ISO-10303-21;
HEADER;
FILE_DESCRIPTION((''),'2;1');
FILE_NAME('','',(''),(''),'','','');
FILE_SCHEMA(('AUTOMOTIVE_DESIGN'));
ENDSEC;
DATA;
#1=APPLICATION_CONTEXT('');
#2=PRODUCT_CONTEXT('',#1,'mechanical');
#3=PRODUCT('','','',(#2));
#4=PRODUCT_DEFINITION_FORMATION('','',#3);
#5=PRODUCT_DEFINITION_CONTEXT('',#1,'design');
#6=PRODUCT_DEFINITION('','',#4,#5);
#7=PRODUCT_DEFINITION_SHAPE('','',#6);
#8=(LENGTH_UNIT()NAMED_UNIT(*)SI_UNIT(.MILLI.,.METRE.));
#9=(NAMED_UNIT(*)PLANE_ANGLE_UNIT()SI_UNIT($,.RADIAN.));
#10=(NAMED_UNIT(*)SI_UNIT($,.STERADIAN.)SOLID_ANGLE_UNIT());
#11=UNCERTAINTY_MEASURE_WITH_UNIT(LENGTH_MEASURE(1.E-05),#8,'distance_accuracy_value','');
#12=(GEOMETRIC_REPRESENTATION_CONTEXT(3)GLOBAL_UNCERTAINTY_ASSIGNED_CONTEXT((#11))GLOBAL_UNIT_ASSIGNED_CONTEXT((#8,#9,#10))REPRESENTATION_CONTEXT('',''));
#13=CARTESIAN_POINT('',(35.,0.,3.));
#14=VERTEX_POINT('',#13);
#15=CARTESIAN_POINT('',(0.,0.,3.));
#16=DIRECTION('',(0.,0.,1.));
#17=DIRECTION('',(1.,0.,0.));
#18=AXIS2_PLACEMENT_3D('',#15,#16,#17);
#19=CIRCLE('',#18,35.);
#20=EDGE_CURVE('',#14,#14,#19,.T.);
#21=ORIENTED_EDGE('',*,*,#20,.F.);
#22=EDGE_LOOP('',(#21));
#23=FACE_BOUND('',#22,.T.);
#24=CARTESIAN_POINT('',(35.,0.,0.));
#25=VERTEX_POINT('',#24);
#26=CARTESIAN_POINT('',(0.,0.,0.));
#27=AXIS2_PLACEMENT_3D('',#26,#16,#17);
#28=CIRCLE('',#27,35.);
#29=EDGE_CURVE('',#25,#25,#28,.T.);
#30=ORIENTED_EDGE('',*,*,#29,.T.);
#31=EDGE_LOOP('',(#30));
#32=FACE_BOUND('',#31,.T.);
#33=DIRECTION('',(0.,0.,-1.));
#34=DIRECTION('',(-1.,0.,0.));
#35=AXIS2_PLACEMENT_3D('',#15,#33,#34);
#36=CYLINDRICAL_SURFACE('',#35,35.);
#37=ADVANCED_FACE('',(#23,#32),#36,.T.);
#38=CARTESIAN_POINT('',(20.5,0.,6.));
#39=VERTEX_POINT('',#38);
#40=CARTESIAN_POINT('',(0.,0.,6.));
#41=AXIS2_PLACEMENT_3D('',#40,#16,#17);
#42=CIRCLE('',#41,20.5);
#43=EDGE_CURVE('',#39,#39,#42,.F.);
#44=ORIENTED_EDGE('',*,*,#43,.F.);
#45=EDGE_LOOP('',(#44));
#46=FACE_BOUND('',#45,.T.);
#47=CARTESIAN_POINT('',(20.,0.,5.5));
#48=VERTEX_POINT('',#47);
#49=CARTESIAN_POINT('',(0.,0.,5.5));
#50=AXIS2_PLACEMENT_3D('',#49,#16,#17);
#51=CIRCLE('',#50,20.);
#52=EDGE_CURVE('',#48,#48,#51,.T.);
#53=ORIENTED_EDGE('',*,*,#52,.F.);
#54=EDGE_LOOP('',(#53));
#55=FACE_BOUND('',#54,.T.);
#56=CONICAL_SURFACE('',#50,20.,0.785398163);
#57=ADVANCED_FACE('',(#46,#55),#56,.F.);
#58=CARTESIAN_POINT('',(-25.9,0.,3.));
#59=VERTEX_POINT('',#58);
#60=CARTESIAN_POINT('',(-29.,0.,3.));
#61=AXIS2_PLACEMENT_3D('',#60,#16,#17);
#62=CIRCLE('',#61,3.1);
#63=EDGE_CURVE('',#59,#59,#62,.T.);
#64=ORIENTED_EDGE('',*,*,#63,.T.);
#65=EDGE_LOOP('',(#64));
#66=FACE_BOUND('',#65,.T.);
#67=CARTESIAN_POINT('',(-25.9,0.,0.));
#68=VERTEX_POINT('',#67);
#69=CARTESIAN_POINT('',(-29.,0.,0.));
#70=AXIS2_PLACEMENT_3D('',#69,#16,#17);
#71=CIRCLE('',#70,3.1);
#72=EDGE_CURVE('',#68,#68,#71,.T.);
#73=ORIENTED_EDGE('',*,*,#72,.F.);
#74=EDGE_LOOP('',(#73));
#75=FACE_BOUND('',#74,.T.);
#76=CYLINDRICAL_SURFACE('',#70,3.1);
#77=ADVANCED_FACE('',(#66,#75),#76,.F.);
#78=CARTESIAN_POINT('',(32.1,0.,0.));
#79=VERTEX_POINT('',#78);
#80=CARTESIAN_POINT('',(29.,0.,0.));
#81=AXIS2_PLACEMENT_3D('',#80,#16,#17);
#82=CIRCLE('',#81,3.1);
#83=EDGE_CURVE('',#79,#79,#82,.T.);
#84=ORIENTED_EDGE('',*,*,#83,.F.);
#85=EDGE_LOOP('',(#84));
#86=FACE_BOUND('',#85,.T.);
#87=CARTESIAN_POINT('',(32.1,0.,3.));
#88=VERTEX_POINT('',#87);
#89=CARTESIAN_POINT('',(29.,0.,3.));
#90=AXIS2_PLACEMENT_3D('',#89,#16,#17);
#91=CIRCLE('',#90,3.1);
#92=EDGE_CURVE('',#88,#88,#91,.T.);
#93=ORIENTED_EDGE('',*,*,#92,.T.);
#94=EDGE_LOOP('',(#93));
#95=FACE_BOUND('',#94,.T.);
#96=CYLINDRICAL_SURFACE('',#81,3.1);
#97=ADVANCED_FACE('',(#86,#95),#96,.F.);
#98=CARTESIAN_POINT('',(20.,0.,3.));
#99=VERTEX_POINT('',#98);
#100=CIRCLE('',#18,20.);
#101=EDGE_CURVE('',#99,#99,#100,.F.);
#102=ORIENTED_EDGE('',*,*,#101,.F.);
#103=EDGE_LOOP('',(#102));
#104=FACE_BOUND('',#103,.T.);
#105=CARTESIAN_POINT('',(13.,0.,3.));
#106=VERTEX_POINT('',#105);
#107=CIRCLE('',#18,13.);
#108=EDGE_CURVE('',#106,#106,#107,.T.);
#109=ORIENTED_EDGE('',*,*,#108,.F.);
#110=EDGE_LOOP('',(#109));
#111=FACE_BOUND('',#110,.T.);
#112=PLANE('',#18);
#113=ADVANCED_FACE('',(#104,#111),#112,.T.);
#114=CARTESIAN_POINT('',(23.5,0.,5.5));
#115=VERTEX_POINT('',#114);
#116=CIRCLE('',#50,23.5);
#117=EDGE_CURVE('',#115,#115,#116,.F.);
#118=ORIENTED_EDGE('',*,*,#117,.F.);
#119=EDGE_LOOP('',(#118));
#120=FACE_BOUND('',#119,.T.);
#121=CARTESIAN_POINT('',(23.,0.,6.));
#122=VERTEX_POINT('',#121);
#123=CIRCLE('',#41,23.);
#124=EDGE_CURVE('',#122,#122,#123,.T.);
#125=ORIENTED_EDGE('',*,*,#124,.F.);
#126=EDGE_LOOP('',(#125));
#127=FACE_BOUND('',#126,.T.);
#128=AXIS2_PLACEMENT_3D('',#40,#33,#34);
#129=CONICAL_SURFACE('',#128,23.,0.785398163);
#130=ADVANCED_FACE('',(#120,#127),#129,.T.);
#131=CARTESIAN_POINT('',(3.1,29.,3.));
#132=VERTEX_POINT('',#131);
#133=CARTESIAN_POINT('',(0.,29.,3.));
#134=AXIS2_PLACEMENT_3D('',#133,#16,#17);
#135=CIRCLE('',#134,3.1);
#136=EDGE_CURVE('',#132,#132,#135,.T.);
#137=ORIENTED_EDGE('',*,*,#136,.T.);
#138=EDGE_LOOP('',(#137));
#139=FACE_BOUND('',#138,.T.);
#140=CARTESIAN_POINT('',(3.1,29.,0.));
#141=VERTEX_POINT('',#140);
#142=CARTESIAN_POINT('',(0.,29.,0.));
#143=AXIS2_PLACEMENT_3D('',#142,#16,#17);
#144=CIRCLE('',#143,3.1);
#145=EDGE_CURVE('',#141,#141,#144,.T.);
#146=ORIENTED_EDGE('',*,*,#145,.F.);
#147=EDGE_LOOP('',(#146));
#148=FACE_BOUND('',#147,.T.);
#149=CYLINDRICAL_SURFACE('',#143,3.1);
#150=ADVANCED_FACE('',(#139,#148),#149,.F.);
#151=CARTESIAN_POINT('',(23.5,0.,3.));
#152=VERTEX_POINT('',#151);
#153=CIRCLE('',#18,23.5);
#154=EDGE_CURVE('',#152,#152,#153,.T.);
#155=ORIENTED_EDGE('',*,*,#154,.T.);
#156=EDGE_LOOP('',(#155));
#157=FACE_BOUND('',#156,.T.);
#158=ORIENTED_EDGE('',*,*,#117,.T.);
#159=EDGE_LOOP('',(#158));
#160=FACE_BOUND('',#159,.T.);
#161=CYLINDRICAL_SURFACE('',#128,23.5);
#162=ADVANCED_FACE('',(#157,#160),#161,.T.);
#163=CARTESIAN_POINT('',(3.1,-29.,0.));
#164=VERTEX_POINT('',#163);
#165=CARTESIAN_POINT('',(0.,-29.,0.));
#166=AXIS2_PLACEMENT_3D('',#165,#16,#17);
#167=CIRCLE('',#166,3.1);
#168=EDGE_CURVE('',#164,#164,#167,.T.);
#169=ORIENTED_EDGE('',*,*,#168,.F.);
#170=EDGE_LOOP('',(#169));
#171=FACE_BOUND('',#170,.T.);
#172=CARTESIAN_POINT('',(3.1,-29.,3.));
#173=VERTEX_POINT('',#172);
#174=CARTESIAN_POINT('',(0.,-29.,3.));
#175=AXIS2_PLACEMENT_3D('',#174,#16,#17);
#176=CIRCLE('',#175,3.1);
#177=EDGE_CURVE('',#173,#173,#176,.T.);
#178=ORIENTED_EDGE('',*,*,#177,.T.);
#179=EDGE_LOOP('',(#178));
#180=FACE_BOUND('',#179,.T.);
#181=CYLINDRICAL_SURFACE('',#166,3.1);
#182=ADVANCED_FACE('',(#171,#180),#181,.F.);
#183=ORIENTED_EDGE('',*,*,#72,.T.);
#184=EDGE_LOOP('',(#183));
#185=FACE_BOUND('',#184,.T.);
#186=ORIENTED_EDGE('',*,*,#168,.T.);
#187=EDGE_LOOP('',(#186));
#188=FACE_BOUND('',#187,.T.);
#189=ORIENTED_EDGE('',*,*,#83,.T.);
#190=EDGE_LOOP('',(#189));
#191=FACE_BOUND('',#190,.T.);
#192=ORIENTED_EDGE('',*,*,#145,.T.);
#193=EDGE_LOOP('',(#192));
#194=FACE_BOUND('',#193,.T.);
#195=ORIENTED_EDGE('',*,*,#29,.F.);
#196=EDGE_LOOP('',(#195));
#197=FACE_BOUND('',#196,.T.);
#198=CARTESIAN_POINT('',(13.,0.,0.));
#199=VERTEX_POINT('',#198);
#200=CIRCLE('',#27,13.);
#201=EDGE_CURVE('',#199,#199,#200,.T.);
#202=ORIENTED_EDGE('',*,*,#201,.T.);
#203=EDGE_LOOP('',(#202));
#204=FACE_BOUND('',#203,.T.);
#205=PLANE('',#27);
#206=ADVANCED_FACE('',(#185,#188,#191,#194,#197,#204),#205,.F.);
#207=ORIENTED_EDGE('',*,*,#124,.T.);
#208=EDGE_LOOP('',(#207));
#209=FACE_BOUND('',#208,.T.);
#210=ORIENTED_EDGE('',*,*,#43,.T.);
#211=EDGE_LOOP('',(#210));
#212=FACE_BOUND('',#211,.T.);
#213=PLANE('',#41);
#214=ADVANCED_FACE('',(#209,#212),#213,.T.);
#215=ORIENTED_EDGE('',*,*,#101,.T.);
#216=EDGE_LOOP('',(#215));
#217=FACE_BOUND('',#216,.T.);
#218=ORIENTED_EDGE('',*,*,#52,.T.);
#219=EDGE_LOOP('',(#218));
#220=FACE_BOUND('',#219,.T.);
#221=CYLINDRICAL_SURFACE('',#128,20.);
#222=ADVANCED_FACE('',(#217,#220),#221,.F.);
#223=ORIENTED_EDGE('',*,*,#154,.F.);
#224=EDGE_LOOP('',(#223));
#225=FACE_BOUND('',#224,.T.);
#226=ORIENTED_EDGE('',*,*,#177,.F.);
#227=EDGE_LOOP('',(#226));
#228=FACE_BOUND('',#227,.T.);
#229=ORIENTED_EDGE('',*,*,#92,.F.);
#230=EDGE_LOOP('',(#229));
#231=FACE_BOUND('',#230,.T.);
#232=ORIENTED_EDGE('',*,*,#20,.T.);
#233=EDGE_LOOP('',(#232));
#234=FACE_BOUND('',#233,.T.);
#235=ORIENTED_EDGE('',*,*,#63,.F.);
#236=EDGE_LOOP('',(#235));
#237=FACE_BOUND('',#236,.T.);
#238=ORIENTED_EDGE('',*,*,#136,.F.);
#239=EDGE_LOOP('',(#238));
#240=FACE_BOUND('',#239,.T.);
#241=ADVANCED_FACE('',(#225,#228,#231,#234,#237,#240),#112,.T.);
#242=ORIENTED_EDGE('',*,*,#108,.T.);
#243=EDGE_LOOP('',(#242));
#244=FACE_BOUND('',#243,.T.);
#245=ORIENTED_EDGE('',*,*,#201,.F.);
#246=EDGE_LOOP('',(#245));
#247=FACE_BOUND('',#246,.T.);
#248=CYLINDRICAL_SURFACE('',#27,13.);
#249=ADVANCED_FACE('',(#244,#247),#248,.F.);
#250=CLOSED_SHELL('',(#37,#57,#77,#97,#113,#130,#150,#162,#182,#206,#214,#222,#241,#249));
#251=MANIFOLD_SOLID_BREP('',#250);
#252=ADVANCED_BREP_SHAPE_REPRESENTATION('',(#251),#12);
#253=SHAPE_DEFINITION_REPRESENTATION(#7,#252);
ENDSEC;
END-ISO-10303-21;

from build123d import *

# Parameters (mm, degrees)
SKETCH1_R           = 35
BOSS_EXTRUDE1_DEPTH = 3
SKETCH2_R           = 13
SKETCH2_R_2         = 3.1
CUT_EXTRUDE1_DEPTH  = 3
SKETCH3_R           = 23.5
SKETCH3_R_2         = 20
BOSS_EXTRUDE2_DEPTH = 3
CHAMFER1_SIZE       = 0.5
CHAMFER2_SIZE       = 0.5


with BuildPart() as part:
    # Sketch1 → Boss-Extrude1 (new body)
    with BuildSketch(Plane.XY):
        Circle(SKETCH1_R)
    extrude(amount=BOSS_EXTRUDE1_DEPTH)

    # Sketch2 → Cut-Extrude1 (cut)
    with BuildSketch(Plane.XY.offset(3)):
        Circle(SKETCH2_R)
        with Locations((0, 29)):
            Circle(SKETCH2_R_2)
        with Locations((29, 0)):
            Circle(SKETCH2_R_2)
        with Locations((0, -29)):
            Circle(SKETCH2_R_2)
        with Locations((-29, 0)):
            Circle(SKETCH2_R_2)
    extrude(amount=-CUT_EXTRUDE1_DEPTH, mode=Mode.SUBTRACT)

    # Sketch3 → Boss-Extrude2 (add)
    with BuildSketch(Plane.XY.offset(3)):
        Circle(SKETCH3_R)
        Circle(SKETCH3_R_2, mode=Mode.SUBTRACT)
    extrude(amount=BOSS_EXTRUDE2_DEPTH)

    # Chamfer1
    chamfer1_edges = [part.edges().sort_by_distance(p)[0] for p in [
        (-23.5, 0, 6),
    ]]
    chamfer(chamfer1_edges, length=CHAMFER1_SIZE)

    # Chamfer2
    chamfer2_edges = [part.edges().sort_by_distance(p)[0] for p in [
        (-20, 0, 6),
    ]]
    chamfer(chamfer2_edges, length=CHAMFER2_SIZE)


solid = part.part
